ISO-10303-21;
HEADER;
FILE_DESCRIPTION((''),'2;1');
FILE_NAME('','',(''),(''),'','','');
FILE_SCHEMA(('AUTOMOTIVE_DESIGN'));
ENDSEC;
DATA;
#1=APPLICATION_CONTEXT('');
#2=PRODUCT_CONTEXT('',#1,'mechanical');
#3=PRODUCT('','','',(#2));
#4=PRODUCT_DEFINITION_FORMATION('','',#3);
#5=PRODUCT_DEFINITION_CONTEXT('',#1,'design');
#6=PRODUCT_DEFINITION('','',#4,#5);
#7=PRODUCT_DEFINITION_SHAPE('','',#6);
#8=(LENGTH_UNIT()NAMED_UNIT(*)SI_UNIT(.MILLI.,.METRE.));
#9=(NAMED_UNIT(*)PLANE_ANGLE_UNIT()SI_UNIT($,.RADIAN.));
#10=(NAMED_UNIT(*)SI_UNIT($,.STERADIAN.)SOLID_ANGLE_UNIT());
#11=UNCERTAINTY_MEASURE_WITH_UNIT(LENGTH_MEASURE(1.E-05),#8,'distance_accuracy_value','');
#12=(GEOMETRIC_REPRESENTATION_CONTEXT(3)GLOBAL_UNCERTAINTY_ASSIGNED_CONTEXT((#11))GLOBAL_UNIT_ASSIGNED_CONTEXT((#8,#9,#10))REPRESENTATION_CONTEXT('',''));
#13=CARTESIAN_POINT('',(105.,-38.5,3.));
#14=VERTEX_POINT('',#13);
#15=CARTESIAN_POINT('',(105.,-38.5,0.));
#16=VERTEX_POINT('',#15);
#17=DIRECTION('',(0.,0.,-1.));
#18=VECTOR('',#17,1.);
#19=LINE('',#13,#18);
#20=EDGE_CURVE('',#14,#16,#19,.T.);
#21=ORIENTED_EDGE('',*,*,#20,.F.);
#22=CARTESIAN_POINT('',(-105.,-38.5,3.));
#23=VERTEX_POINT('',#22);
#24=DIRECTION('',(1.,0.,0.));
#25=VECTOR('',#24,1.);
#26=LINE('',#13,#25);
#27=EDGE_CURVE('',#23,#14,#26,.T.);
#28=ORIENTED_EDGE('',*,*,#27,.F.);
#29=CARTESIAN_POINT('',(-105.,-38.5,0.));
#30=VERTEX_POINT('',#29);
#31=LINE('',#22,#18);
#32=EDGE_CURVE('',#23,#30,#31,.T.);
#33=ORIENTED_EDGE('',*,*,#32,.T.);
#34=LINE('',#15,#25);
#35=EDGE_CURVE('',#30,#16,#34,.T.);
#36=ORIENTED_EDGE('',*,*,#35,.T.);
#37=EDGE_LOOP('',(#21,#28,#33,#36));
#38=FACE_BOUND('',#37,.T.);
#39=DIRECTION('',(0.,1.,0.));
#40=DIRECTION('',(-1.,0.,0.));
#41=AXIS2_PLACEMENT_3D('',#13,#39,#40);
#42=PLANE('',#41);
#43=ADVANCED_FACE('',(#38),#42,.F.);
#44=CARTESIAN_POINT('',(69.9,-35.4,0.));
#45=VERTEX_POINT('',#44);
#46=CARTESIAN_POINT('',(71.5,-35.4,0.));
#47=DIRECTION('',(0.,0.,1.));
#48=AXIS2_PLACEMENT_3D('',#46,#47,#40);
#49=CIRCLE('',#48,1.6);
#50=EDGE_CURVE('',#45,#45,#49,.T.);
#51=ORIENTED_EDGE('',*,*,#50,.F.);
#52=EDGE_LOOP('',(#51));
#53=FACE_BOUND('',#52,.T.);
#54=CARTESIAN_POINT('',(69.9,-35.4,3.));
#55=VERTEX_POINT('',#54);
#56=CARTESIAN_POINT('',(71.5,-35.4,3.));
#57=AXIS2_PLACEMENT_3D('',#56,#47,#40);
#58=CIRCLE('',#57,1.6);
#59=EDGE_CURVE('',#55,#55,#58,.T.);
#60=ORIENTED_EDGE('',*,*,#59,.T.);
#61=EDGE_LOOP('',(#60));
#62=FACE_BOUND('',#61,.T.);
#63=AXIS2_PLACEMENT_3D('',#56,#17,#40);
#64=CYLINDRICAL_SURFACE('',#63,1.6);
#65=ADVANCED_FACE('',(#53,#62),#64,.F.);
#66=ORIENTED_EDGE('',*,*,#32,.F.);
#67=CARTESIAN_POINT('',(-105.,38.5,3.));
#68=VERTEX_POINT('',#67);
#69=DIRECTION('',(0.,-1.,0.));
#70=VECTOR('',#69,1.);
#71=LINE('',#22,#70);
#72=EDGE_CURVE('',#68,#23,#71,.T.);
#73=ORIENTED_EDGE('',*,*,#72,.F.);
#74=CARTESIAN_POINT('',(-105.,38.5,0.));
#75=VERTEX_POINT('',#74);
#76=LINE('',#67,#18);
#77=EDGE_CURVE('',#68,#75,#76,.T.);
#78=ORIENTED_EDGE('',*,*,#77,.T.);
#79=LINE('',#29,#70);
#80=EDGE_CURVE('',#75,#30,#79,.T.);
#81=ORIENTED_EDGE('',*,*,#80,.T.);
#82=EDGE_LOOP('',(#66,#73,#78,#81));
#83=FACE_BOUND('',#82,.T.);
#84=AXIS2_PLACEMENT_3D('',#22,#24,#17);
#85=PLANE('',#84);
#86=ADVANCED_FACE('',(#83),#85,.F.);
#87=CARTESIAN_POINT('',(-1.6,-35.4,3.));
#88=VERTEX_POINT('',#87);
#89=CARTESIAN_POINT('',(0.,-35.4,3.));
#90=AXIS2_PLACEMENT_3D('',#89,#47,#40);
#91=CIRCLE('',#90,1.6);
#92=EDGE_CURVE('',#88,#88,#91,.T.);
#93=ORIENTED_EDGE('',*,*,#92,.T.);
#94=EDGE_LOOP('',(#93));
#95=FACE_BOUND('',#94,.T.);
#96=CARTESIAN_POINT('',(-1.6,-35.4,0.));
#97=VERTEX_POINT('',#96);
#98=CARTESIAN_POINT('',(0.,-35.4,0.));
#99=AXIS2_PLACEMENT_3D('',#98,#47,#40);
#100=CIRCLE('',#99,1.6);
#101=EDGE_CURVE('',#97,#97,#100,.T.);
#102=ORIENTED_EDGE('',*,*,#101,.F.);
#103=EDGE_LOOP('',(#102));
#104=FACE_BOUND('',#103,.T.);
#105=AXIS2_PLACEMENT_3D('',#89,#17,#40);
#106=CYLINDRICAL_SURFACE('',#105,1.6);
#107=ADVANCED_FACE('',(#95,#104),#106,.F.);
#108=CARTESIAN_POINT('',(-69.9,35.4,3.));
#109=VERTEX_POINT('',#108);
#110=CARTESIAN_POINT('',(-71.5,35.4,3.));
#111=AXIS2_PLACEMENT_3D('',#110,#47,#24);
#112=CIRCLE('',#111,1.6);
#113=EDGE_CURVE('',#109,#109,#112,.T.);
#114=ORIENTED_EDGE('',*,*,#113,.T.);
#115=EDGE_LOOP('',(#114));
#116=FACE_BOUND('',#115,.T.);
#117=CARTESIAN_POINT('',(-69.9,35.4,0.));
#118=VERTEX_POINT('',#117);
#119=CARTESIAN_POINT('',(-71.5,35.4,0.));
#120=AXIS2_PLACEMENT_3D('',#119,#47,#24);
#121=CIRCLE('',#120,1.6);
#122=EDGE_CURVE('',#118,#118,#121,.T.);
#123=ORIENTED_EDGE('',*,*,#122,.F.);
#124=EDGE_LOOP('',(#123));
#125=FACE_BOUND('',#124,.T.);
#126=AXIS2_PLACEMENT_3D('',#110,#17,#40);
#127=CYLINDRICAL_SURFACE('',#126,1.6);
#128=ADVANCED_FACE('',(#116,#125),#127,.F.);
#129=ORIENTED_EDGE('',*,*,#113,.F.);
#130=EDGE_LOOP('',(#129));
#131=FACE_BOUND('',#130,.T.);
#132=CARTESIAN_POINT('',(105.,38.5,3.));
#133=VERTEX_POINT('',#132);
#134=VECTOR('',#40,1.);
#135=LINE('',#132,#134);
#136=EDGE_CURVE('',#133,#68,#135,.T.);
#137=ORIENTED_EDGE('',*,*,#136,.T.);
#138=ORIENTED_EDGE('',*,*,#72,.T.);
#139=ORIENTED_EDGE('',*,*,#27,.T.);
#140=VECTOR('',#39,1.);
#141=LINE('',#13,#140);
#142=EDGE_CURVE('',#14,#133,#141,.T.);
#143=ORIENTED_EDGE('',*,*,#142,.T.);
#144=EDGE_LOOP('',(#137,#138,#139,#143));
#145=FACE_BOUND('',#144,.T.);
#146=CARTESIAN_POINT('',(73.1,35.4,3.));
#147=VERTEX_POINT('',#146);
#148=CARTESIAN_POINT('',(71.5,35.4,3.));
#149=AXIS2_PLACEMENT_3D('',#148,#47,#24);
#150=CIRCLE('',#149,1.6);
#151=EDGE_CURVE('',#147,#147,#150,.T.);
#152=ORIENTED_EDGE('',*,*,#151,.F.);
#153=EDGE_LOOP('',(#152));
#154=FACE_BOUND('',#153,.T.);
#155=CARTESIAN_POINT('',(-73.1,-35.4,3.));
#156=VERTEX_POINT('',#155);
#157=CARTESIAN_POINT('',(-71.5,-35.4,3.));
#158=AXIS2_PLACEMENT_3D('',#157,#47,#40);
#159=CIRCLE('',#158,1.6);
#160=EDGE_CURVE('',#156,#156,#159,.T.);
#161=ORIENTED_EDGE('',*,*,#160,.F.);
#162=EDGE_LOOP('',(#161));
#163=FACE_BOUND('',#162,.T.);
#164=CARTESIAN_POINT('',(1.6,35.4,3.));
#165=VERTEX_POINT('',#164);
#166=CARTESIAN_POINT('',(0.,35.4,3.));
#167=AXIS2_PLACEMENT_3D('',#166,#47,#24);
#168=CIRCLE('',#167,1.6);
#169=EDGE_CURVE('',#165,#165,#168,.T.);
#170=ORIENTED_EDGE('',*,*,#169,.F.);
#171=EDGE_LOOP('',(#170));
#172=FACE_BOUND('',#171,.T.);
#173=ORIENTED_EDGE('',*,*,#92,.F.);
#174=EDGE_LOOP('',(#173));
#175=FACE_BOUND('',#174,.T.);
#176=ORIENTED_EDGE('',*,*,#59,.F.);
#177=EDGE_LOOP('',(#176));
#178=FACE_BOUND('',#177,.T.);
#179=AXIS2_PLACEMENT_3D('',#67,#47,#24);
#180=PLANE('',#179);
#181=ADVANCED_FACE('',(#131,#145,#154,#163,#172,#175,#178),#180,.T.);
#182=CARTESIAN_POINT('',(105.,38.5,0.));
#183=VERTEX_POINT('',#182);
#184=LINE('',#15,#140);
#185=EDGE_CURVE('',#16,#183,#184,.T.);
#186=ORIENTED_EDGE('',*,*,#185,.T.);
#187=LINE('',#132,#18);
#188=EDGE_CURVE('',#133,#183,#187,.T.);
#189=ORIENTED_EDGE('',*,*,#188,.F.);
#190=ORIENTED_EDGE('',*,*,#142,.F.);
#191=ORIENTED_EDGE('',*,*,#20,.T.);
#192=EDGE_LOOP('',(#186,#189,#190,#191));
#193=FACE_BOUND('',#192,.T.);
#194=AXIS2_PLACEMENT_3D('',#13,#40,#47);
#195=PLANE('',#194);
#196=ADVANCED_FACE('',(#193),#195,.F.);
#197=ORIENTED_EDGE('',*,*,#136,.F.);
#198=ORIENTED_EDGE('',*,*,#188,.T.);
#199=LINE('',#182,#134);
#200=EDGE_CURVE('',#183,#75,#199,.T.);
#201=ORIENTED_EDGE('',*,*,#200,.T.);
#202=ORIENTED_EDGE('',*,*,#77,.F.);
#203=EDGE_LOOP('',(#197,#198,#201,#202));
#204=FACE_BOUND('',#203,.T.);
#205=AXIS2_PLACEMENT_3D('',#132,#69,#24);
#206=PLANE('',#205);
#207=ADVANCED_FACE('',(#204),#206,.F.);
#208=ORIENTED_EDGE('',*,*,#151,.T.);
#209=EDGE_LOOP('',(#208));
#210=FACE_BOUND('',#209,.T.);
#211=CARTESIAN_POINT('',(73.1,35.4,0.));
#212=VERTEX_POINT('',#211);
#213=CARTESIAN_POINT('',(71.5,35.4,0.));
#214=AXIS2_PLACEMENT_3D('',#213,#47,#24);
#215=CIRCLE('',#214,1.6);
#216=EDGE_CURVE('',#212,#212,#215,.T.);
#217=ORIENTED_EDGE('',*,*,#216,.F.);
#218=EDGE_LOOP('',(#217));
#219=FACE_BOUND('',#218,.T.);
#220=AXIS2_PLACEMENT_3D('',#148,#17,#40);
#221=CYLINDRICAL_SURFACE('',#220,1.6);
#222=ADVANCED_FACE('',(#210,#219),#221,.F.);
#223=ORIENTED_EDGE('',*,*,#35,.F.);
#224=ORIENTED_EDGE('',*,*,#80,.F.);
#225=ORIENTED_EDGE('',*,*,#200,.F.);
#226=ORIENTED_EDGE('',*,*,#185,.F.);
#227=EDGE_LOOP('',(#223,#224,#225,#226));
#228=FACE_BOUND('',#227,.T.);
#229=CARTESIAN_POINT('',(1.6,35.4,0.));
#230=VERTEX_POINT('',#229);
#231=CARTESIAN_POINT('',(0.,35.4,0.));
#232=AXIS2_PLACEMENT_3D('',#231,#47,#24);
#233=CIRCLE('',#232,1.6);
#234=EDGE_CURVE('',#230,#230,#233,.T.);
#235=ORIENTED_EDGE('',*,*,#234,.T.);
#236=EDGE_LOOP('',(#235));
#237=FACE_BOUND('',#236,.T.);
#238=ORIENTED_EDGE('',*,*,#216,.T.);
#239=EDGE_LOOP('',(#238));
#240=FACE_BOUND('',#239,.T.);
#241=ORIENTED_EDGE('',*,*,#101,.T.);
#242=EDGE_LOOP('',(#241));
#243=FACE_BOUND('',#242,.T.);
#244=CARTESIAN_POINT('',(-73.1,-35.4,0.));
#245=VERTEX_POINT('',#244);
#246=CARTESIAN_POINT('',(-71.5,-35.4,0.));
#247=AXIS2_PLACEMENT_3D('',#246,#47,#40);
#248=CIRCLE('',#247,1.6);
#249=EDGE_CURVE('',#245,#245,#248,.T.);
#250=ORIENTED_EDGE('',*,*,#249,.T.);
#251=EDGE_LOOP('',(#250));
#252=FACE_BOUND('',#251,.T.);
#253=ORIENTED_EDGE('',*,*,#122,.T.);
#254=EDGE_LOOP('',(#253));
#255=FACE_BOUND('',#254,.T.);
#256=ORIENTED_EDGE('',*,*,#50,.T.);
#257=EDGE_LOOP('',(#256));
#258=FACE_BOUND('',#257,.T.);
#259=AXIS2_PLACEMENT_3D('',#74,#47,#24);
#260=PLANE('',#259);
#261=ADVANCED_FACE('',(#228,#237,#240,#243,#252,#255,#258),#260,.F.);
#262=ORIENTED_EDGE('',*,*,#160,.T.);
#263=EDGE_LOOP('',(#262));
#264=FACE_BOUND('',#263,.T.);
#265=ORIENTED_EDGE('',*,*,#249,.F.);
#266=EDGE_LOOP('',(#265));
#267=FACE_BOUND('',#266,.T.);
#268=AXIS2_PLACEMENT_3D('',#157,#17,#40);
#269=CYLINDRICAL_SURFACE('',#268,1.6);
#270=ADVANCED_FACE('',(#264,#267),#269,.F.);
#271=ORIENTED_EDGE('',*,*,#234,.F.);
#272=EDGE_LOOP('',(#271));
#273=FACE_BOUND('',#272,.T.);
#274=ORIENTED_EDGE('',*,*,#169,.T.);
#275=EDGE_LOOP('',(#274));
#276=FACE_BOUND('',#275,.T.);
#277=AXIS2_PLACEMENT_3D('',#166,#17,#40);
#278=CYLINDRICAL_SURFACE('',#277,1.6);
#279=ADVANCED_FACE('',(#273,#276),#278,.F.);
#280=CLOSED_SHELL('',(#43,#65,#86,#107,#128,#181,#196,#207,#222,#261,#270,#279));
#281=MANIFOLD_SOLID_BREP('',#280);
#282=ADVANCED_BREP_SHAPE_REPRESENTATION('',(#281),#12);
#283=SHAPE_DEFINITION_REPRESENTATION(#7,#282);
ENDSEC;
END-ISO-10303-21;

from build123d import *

# Parameters (mm, degrees)
CROQUIS1_W              = 210
CROQUIS1_H              = 77
CROQUIS1_R              = 1.6
SALIENTE_EXTRUIR1_DEPTH = 3


with BuildPart() as part:
    # Croquis1 → Saliente-Extruir1 (new body)
    with BuildSketch(Plane.XY):
        Rectangle(CROQUIS1_W, CROQUIS1_H)
        with Locations((0, 35.4)):
            Circle(CROQUIS1_R, mode=Mode.SUBTRACT)
        with Locations((-71.5, 35.4)):
            Circle(CROQUIS1_R, mode=Mode.SUBTRACT)
        with Locations((71.5, 35.4)):
            Circle(CROQUIS1_R, mode=Mode.SUBTRACT)
        with Locations((71.5, -35.4)):
            Circle(CROQUIS1_R, mode=Mode.SUBTRACT)
        with Locations((0, -35.4)):
            Circle(CROQUIS1_R, mode=Mode.SUBTRACT)
        with Locations((-71.5, -35.4)):
            Circle(CROQUIS1_R, mode=Mode.SUBTRACT)
    extrude(amount=SALIENTE_EXTRUIR1_DEPTH)


solid = part.part
